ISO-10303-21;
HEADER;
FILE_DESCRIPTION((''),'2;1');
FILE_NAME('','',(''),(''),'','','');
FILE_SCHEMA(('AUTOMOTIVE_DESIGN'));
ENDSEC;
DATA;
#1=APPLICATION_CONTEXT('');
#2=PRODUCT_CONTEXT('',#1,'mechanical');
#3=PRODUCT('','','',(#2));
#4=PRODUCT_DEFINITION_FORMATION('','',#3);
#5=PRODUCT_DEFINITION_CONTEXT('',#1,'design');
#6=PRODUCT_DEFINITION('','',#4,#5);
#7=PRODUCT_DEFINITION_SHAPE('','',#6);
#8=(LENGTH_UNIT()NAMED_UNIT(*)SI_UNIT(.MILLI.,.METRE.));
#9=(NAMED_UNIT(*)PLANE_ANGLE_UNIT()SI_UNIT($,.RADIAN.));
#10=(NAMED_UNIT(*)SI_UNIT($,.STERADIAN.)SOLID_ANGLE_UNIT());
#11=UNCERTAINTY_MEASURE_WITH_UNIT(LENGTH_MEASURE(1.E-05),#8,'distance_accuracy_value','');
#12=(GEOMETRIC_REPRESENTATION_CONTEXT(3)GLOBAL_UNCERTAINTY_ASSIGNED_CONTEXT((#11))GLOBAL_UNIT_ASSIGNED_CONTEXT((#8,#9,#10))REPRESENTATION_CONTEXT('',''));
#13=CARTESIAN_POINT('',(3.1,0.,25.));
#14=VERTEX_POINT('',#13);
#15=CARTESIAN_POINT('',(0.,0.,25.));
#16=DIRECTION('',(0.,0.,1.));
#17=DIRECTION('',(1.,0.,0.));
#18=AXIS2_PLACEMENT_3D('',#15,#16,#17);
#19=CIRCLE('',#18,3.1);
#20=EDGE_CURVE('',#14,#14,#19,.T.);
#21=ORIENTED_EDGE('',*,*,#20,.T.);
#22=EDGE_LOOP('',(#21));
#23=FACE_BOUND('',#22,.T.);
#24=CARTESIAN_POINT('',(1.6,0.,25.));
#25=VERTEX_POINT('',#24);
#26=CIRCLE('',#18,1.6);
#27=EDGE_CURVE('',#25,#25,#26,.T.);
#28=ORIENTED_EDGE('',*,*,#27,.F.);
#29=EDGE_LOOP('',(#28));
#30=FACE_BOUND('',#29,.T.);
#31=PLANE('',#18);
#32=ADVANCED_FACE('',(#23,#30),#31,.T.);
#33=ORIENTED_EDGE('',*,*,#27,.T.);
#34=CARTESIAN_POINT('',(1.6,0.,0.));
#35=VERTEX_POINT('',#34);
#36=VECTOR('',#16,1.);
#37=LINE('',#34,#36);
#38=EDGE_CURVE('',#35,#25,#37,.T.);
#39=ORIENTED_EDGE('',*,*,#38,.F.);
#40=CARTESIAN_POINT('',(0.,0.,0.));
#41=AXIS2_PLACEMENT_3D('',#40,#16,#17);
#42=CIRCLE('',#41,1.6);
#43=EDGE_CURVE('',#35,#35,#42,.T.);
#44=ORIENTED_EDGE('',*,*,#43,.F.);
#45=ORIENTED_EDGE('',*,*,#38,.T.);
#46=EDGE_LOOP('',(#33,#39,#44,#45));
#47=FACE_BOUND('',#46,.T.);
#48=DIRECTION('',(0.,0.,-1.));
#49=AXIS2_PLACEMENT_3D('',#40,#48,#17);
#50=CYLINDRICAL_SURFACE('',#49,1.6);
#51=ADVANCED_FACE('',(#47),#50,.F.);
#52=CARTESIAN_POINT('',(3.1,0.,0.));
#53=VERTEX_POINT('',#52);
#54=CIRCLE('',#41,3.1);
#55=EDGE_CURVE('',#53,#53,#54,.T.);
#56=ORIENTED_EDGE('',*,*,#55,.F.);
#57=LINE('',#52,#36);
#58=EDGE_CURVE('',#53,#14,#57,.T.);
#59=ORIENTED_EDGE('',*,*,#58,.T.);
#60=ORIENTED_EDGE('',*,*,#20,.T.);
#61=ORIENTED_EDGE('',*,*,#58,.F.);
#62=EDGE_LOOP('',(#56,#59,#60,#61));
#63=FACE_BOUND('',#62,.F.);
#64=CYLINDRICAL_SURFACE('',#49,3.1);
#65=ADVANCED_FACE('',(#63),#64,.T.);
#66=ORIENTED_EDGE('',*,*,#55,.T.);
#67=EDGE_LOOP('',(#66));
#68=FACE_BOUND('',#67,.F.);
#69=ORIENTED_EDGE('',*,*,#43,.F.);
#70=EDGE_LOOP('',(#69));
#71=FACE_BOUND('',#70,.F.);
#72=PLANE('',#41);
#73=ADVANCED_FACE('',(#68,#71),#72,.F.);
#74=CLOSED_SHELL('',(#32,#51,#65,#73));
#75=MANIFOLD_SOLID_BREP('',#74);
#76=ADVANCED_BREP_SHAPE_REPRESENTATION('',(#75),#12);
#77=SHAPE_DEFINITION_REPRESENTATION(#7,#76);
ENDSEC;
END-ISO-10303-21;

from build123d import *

# Parameters (mm, degrees)
SKETCH_R   = 3.1
SKETCH_R_2 = 1.6
PAD_DEPTH  = 25


with BuildPart() as part:
    # Sketch → Pad (new body)
    with BuildSketch(Plane.XY):
        Circle(SKETCH_R)
        Circle(SKETCH_R_2, mode=Mode.SUBTRACT)
    extrude(amount=PAD_DEPTH)


solid = part.part
